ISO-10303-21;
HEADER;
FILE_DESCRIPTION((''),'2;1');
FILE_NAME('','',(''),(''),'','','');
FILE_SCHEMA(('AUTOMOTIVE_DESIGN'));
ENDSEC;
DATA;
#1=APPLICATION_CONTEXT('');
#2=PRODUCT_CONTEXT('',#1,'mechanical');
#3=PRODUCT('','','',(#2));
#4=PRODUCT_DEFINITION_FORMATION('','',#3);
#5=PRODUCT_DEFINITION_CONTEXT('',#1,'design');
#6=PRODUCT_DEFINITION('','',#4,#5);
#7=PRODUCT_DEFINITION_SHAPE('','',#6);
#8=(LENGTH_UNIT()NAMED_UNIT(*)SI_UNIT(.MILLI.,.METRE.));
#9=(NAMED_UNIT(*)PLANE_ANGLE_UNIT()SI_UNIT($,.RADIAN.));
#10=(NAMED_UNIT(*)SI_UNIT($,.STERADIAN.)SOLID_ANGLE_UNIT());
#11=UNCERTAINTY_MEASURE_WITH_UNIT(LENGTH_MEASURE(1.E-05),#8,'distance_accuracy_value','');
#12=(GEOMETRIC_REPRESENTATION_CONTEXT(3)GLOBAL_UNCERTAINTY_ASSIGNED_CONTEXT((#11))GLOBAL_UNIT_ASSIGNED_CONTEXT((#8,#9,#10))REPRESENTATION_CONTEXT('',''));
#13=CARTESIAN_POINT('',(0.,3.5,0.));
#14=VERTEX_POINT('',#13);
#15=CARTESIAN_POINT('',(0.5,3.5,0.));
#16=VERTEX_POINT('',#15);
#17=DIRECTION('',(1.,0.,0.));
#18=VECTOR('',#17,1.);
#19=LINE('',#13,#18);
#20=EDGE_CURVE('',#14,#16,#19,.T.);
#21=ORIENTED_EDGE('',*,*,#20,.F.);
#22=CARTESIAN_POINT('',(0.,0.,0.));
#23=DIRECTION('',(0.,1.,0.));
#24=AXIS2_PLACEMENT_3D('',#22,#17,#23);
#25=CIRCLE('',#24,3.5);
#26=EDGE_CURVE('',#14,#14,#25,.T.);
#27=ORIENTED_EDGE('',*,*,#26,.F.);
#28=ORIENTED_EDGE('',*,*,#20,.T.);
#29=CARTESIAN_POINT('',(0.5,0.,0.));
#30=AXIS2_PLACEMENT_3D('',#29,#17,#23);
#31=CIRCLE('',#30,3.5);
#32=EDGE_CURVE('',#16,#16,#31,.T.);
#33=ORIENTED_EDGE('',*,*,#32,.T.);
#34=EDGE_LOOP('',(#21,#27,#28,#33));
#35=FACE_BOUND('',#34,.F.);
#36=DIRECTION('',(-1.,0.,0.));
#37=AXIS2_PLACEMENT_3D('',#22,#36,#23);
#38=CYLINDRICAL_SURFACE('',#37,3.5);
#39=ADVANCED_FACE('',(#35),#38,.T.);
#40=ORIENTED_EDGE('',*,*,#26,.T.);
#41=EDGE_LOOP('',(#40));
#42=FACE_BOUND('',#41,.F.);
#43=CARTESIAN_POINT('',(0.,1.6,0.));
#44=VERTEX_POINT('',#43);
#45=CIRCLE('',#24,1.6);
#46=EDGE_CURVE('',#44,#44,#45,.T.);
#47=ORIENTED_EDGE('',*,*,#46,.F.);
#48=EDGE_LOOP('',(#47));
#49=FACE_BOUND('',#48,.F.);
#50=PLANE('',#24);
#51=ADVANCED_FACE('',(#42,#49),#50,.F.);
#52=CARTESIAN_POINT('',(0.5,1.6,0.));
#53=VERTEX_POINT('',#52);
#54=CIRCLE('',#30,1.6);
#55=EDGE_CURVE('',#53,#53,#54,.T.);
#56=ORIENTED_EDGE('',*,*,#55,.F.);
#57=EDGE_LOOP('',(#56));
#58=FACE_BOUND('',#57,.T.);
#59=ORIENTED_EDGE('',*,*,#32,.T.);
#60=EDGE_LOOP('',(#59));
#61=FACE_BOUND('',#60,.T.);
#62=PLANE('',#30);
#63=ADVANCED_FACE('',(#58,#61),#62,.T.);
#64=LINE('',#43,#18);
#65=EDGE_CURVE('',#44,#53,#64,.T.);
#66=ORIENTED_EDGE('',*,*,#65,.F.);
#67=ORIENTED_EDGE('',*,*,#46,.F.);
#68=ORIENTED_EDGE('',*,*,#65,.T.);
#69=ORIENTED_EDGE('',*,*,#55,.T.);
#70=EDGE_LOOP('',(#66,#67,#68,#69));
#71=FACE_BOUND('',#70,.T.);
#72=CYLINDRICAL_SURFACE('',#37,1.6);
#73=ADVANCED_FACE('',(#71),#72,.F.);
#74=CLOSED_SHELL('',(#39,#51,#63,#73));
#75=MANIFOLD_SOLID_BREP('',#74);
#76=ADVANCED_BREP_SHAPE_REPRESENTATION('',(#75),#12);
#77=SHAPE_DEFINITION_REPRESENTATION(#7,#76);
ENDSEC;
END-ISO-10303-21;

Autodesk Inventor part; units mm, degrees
ref_plane "YZ Plane" through (0, 0, 0) normal (1, 0, 0) x (0, 1, 0)
ref_plane "XZ Plane" through (0, 0, 0) normal (0, 1, 0) x (-1, 0, 0)
sketch "Sketch" plane through (0, 0, 0) normal (1, 0, 0) x (0, 1, 0)
  circle A0 centre (0, 0) radius 3.5
  circle A1 centre (0, 0) radius 1.6
  dimension "d0" = 3.2
  dimension "d1" = 7
extrude "Body" add sketch "Sketch" along normal blind 0.5
ref_plane "Work Plane1" through (0, 0, 0) normal (0, 0, 1) x (1, 0, 0)
equation "\"d0\" = SD1"
equation "\"d1\" = SD2"
equation "\"d2\" = SD"
equation "\"SD1\" = 3.2"
equation "\"SD2\" = 7"
equation "\"SD\" = 0.5"
equation "\"NND\" = 3"
properties part number "ISO 7089 - 3 - 140 HV" material "Stainless Steel"
